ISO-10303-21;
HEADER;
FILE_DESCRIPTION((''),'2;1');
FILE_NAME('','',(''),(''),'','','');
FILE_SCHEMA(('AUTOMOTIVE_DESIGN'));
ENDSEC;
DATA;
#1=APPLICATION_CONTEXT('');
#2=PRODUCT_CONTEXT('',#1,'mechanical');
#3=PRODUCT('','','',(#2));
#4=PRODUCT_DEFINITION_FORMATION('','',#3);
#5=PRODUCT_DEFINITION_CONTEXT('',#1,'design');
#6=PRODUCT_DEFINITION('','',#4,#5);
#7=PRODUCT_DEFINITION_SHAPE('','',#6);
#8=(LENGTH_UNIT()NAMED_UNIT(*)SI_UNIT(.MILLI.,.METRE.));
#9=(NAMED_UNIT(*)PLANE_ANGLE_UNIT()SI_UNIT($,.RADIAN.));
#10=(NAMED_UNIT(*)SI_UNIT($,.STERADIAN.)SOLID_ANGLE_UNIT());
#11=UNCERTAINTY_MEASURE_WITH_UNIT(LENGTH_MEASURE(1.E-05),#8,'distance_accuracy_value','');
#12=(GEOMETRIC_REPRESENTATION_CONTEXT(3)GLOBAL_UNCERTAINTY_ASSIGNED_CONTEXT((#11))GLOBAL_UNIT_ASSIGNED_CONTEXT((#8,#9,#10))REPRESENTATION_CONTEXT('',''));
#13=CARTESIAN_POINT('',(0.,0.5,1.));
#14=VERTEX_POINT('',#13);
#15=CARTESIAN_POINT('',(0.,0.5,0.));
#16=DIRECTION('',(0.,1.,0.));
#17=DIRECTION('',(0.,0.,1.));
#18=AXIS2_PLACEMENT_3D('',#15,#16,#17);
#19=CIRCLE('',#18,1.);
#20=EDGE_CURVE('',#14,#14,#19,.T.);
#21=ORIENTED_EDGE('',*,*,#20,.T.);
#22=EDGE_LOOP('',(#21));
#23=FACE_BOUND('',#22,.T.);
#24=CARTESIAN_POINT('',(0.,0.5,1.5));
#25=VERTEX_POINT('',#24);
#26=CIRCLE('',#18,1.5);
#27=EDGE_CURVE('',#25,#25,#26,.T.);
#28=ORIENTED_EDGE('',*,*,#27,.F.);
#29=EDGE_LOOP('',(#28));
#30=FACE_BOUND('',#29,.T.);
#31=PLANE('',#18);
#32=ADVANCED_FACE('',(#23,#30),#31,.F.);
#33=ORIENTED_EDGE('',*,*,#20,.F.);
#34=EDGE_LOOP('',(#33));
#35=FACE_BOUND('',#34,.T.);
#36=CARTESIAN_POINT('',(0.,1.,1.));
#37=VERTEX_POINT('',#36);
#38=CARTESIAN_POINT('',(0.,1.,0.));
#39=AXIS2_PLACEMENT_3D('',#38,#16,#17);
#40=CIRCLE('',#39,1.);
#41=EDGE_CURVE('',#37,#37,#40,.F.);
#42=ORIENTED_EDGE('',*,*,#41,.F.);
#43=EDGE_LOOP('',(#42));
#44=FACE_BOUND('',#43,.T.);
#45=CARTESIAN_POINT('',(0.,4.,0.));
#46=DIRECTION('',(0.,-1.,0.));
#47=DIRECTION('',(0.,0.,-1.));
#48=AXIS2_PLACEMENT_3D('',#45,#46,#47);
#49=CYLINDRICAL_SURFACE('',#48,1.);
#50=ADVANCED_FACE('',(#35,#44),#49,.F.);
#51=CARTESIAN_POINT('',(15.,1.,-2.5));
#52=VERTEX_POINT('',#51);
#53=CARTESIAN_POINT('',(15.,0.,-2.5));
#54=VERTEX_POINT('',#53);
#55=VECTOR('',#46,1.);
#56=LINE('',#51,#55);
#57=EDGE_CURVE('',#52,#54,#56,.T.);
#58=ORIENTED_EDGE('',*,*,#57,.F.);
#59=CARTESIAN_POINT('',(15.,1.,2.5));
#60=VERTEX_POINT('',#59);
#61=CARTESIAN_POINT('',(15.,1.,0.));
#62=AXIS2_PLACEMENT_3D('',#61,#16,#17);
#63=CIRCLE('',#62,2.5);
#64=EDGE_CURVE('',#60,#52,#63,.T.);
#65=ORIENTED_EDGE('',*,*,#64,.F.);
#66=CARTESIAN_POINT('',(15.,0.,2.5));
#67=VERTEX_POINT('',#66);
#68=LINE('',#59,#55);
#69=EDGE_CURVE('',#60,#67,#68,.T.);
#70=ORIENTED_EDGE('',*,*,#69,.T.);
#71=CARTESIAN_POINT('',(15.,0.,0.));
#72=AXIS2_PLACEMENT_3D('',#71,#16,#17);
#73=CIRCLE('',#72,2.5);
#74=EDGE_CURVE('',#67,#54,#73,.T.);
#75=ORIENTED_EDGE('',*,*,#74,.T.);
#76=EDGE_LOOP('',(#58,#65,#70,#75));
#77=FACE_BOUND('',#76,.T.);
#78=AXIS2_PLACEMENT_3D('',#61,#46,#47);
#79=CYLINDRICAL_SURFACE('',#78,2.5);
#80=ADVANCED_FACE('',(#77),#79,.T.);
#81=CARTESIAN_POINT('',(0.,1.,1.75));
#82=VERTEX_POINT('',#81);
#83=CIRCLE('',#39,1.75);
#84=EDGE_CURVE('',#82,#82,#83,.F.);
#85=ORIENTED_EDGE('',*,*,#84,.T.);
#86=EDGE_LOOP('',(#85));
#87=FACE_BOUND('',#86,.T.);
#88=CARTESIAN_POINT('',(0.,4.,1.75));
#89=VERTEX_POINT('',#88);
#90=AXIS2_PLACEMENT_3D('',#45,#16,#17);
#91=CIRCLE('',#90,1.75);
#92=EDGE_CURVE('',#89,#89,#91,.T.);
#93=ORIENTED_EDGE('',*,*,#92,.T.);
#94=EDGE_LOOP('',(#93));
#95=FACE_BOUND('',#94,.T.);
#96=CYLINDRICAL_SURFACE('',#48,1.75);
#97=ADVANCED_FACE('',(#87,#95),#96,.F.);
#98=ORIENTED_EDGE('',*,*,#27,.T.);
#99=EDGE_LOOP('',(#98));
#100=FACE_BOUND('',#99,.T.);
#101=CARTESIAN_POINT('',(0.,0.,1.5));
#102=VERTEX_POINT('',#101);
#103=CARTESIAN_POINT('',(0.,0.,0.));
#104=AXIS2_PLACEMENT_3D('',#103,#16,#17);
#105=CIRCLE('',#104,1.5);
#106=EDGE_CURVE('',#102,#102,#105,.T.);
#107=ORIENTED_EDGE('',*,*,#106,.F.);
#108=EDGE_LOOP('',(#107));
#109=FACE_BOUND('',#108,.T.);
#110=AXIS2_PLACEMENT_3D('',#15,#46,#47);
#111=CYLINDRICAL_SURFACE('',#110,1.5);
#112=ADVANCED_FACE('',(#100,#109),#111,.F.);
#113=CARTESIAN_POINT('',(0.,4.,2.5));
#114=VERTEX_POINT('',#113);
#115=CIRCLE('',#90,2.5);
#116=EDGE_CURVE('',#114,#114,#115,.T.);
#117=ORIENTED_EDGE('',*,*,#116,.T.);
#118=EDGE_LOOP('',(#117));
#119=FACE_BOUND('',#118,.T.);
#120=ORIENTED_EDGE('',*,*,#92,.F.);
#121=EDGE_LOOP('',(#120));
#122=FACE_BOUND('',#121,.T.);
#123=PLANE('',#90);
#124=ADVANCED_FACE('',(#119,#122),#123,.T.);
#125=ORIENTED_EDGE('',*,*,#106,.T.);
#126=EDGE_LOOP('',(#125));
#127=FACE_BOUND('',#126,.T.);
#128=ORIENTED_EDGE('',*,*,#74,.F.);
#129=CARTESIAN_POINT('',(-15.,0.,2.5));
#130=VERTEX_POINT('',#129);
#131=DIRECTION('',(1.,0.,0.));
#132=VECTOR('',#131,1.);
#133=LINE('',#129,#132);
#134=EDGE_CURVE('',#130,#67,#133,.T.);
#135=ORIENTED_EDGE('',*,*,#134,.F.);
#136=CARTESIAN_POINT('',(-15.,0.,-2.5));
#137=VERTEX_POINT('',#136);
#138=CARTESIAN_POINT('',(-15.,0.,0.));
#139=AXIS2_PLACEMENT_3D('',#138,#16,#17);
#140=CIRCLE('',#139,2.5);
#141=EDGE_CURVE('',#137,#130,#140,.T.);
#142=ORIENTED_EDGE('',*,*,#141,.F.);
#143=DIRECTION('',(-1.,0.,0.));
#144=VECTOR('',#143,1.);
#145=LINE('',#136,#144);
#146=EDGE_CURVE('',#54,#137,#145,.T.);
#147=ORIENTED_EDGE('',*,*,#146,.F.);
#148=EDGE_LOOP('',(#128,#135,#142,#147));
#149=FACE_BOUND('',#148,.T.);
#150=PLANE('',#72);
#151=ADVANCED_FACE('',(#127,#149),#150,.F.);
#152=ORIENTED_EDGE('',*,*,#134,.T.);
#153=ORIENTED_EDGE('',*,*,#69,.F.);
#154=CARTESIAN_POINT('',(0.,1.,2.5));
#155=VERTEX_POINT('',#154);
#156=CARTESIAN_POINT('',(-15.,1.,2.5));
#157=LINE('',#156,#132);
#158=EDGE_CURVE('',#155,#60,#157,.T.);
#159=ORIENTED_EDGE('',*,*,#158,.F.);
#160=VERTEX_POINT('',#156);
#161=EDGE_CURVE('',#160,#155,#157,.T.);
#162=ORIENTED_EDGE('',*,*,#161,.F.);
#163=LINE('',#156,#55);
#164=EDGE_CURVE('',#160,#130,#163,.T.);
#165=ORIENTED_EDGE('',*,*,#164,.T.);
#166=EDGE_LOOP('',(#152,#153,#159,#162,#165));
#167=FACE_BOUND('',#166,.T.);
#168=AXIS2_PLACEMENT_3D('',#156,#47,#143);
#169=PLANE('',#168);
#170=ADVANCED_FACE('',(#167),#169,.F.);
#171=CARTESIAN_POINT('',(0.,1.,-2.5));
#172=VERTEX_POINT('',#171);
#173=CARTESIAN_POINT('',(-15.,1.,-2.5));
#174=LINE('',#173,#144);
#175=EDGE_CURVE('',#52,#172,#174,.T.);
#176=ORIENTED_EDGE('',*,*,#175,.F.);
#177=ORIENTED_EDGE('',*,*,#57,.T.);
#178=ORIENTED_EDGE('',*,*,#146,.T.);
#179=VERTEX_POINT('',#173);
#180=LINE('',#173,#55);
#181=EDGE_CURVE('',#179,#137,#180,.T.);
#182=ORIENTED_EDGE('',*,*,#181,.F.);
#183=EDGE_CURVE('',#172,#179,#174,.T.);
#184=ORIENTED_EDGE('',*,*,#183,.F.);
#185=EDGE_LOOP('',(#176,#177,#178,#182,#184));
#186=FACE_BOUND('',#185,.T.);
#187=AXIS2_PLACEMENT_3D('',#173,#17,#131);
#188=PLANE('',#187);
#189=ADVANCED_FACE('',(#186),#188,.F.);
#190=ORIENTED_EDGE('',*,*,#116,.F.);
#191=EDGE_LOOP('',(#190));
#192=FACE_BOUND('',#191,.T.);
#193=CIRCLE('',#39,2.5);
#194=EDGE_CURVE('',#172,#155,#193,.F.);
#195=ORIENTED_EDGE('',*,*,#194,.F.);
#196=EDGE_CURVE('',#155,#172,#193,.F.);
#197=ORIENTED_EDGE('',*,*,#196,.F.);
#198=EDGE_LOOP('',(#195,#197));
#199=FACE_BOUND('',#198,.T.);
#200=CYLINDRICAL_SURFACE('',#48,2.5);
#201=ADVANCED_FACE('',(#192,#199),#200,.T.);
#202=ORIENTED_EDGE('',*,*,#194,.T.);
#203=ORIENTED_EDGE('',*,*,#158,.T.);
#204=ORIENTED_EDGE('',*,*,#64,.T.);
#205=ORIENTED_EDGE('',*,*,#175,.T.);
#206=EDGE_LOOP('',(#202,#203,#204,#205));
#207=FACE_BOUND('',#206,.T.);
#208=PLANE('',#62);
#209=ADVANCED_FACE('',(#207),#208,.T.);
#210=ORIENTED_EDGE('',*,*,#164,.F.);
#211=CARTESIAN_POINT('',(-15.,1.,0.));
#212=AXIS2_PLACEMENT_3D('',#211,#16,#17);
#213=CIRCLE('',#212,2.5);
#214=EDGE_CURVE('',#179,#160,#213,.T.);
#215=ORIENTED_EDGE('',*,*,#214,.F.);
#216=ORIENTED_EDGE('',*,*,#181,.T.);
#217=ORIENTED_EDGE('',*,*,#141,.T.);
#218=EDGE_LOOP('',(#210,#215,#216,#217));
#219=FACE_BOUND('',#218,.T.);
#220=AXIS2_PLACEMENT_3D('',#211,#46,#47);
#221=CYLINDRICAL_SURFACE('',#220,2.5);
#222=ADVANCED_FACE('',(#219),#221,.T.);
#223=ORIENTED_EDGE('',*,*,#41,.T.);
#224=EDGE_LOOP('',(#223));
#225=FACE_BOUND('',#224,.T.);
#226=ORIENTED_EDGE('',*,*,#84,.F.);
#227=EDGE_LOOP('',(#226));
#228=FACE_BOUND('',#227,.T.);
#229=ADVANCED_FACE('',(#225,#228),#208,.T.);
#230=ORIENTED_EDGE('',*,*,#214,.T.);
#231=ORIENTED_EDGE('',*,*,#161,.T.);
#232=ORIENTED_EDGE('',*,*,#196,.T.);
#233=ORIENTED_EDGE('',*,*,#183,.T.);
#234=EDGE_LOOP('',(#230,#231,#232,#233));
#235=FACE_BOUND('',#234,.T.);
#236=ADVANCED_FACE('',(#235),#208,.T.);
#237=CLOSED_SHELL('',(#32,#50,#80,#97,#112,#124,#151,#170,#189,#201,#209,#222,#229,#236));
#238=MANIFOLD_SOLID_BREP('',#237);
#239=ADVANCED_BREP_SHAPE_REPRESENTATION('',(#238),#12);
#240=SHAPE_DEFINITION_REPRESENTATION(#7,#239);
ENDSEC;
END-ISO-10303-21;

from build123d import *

# Parameters (mm, degrees)
EXTRUDE_1_DEPTH     = 1
SKETCH_2_R          = 2.5
SKETCH_2_R_2        = 1.75
EXTRUDE_2_DEPTH     = 4
SKETCH_3_R          = 1
CUT_EXTRUDE_1_DEPTH = 4
SKETCH_4_R          = 1.5
CUT_EXTRUDE_2_DEPTH = 0.5


with BuildPart() as part:
    # 草图1 → 凸台-拉伸1 (new body)
    with BuildSketch(Plane(origin=(0, 0, 0), x_dir=(1, 0, 0), z_dir=(0, 1, 0))):
        with BuildLine():
            Line((-15, 2.5), (15, 2.5))
            ThreePointArc((15, 2.5), (17.5, 0), (15, -2.5))
            Line((15, -2.5), (-15, -2.5))
            ThreePointArc((-15, -2.5), (-17.5, 0), (-15, 2.5))
        make_face()
    extrude(amount=EXTRUDE_1_DEPTH)

    # 草图2 → 凸台-拉伸2 (add)
    with BuildSketch(Plane(origin=(0, 0, 0), x_dir=(1, 0, 0), z_dir=(0, 1, 0))):
        with Locations(Location((0, 0, 0), (0, 0, 270))):
            Circle(SKETCH_2_R)
        with Locations(Location((0, 0, 0), (0, 0, 270))):
            Circle(SKETCH_2_R_2, mode=Mode.SUBTRACT)
    extrude(amount=EXTRUDE_2_DEPTH)

    # 草图3 → 切除-拉伸1 (cut)
    with BuildSketch(Plane(origin=(0, 0, 0), x_dir=(1, 0, 0), z_dir=(0, 1, 0))):
        with Locations(Location((0, 0, 0), (0, 0, 270))):
            Circle(SKETCH_3_R)
    extrude(amount=CUT_EXTRUDE_1_DEPTH, mode=Mode.SUBTRACT)

    # 草图4 → 切除-拉伸2 (cut)
    with BuildSketch(Plane(origin=(0, 0, 0), x_dir=(1, 0, 0), z_dir=(0, 1, 0))):
        with Locations(Location((0, 0, 0), (0, 0, 270))):
            Circle(SKETCH_4_R)
    extrude(amount=CUT_EXTRUDE_2_DEPTH, mode=Mode.SUBTRACT)


solid = part.part
